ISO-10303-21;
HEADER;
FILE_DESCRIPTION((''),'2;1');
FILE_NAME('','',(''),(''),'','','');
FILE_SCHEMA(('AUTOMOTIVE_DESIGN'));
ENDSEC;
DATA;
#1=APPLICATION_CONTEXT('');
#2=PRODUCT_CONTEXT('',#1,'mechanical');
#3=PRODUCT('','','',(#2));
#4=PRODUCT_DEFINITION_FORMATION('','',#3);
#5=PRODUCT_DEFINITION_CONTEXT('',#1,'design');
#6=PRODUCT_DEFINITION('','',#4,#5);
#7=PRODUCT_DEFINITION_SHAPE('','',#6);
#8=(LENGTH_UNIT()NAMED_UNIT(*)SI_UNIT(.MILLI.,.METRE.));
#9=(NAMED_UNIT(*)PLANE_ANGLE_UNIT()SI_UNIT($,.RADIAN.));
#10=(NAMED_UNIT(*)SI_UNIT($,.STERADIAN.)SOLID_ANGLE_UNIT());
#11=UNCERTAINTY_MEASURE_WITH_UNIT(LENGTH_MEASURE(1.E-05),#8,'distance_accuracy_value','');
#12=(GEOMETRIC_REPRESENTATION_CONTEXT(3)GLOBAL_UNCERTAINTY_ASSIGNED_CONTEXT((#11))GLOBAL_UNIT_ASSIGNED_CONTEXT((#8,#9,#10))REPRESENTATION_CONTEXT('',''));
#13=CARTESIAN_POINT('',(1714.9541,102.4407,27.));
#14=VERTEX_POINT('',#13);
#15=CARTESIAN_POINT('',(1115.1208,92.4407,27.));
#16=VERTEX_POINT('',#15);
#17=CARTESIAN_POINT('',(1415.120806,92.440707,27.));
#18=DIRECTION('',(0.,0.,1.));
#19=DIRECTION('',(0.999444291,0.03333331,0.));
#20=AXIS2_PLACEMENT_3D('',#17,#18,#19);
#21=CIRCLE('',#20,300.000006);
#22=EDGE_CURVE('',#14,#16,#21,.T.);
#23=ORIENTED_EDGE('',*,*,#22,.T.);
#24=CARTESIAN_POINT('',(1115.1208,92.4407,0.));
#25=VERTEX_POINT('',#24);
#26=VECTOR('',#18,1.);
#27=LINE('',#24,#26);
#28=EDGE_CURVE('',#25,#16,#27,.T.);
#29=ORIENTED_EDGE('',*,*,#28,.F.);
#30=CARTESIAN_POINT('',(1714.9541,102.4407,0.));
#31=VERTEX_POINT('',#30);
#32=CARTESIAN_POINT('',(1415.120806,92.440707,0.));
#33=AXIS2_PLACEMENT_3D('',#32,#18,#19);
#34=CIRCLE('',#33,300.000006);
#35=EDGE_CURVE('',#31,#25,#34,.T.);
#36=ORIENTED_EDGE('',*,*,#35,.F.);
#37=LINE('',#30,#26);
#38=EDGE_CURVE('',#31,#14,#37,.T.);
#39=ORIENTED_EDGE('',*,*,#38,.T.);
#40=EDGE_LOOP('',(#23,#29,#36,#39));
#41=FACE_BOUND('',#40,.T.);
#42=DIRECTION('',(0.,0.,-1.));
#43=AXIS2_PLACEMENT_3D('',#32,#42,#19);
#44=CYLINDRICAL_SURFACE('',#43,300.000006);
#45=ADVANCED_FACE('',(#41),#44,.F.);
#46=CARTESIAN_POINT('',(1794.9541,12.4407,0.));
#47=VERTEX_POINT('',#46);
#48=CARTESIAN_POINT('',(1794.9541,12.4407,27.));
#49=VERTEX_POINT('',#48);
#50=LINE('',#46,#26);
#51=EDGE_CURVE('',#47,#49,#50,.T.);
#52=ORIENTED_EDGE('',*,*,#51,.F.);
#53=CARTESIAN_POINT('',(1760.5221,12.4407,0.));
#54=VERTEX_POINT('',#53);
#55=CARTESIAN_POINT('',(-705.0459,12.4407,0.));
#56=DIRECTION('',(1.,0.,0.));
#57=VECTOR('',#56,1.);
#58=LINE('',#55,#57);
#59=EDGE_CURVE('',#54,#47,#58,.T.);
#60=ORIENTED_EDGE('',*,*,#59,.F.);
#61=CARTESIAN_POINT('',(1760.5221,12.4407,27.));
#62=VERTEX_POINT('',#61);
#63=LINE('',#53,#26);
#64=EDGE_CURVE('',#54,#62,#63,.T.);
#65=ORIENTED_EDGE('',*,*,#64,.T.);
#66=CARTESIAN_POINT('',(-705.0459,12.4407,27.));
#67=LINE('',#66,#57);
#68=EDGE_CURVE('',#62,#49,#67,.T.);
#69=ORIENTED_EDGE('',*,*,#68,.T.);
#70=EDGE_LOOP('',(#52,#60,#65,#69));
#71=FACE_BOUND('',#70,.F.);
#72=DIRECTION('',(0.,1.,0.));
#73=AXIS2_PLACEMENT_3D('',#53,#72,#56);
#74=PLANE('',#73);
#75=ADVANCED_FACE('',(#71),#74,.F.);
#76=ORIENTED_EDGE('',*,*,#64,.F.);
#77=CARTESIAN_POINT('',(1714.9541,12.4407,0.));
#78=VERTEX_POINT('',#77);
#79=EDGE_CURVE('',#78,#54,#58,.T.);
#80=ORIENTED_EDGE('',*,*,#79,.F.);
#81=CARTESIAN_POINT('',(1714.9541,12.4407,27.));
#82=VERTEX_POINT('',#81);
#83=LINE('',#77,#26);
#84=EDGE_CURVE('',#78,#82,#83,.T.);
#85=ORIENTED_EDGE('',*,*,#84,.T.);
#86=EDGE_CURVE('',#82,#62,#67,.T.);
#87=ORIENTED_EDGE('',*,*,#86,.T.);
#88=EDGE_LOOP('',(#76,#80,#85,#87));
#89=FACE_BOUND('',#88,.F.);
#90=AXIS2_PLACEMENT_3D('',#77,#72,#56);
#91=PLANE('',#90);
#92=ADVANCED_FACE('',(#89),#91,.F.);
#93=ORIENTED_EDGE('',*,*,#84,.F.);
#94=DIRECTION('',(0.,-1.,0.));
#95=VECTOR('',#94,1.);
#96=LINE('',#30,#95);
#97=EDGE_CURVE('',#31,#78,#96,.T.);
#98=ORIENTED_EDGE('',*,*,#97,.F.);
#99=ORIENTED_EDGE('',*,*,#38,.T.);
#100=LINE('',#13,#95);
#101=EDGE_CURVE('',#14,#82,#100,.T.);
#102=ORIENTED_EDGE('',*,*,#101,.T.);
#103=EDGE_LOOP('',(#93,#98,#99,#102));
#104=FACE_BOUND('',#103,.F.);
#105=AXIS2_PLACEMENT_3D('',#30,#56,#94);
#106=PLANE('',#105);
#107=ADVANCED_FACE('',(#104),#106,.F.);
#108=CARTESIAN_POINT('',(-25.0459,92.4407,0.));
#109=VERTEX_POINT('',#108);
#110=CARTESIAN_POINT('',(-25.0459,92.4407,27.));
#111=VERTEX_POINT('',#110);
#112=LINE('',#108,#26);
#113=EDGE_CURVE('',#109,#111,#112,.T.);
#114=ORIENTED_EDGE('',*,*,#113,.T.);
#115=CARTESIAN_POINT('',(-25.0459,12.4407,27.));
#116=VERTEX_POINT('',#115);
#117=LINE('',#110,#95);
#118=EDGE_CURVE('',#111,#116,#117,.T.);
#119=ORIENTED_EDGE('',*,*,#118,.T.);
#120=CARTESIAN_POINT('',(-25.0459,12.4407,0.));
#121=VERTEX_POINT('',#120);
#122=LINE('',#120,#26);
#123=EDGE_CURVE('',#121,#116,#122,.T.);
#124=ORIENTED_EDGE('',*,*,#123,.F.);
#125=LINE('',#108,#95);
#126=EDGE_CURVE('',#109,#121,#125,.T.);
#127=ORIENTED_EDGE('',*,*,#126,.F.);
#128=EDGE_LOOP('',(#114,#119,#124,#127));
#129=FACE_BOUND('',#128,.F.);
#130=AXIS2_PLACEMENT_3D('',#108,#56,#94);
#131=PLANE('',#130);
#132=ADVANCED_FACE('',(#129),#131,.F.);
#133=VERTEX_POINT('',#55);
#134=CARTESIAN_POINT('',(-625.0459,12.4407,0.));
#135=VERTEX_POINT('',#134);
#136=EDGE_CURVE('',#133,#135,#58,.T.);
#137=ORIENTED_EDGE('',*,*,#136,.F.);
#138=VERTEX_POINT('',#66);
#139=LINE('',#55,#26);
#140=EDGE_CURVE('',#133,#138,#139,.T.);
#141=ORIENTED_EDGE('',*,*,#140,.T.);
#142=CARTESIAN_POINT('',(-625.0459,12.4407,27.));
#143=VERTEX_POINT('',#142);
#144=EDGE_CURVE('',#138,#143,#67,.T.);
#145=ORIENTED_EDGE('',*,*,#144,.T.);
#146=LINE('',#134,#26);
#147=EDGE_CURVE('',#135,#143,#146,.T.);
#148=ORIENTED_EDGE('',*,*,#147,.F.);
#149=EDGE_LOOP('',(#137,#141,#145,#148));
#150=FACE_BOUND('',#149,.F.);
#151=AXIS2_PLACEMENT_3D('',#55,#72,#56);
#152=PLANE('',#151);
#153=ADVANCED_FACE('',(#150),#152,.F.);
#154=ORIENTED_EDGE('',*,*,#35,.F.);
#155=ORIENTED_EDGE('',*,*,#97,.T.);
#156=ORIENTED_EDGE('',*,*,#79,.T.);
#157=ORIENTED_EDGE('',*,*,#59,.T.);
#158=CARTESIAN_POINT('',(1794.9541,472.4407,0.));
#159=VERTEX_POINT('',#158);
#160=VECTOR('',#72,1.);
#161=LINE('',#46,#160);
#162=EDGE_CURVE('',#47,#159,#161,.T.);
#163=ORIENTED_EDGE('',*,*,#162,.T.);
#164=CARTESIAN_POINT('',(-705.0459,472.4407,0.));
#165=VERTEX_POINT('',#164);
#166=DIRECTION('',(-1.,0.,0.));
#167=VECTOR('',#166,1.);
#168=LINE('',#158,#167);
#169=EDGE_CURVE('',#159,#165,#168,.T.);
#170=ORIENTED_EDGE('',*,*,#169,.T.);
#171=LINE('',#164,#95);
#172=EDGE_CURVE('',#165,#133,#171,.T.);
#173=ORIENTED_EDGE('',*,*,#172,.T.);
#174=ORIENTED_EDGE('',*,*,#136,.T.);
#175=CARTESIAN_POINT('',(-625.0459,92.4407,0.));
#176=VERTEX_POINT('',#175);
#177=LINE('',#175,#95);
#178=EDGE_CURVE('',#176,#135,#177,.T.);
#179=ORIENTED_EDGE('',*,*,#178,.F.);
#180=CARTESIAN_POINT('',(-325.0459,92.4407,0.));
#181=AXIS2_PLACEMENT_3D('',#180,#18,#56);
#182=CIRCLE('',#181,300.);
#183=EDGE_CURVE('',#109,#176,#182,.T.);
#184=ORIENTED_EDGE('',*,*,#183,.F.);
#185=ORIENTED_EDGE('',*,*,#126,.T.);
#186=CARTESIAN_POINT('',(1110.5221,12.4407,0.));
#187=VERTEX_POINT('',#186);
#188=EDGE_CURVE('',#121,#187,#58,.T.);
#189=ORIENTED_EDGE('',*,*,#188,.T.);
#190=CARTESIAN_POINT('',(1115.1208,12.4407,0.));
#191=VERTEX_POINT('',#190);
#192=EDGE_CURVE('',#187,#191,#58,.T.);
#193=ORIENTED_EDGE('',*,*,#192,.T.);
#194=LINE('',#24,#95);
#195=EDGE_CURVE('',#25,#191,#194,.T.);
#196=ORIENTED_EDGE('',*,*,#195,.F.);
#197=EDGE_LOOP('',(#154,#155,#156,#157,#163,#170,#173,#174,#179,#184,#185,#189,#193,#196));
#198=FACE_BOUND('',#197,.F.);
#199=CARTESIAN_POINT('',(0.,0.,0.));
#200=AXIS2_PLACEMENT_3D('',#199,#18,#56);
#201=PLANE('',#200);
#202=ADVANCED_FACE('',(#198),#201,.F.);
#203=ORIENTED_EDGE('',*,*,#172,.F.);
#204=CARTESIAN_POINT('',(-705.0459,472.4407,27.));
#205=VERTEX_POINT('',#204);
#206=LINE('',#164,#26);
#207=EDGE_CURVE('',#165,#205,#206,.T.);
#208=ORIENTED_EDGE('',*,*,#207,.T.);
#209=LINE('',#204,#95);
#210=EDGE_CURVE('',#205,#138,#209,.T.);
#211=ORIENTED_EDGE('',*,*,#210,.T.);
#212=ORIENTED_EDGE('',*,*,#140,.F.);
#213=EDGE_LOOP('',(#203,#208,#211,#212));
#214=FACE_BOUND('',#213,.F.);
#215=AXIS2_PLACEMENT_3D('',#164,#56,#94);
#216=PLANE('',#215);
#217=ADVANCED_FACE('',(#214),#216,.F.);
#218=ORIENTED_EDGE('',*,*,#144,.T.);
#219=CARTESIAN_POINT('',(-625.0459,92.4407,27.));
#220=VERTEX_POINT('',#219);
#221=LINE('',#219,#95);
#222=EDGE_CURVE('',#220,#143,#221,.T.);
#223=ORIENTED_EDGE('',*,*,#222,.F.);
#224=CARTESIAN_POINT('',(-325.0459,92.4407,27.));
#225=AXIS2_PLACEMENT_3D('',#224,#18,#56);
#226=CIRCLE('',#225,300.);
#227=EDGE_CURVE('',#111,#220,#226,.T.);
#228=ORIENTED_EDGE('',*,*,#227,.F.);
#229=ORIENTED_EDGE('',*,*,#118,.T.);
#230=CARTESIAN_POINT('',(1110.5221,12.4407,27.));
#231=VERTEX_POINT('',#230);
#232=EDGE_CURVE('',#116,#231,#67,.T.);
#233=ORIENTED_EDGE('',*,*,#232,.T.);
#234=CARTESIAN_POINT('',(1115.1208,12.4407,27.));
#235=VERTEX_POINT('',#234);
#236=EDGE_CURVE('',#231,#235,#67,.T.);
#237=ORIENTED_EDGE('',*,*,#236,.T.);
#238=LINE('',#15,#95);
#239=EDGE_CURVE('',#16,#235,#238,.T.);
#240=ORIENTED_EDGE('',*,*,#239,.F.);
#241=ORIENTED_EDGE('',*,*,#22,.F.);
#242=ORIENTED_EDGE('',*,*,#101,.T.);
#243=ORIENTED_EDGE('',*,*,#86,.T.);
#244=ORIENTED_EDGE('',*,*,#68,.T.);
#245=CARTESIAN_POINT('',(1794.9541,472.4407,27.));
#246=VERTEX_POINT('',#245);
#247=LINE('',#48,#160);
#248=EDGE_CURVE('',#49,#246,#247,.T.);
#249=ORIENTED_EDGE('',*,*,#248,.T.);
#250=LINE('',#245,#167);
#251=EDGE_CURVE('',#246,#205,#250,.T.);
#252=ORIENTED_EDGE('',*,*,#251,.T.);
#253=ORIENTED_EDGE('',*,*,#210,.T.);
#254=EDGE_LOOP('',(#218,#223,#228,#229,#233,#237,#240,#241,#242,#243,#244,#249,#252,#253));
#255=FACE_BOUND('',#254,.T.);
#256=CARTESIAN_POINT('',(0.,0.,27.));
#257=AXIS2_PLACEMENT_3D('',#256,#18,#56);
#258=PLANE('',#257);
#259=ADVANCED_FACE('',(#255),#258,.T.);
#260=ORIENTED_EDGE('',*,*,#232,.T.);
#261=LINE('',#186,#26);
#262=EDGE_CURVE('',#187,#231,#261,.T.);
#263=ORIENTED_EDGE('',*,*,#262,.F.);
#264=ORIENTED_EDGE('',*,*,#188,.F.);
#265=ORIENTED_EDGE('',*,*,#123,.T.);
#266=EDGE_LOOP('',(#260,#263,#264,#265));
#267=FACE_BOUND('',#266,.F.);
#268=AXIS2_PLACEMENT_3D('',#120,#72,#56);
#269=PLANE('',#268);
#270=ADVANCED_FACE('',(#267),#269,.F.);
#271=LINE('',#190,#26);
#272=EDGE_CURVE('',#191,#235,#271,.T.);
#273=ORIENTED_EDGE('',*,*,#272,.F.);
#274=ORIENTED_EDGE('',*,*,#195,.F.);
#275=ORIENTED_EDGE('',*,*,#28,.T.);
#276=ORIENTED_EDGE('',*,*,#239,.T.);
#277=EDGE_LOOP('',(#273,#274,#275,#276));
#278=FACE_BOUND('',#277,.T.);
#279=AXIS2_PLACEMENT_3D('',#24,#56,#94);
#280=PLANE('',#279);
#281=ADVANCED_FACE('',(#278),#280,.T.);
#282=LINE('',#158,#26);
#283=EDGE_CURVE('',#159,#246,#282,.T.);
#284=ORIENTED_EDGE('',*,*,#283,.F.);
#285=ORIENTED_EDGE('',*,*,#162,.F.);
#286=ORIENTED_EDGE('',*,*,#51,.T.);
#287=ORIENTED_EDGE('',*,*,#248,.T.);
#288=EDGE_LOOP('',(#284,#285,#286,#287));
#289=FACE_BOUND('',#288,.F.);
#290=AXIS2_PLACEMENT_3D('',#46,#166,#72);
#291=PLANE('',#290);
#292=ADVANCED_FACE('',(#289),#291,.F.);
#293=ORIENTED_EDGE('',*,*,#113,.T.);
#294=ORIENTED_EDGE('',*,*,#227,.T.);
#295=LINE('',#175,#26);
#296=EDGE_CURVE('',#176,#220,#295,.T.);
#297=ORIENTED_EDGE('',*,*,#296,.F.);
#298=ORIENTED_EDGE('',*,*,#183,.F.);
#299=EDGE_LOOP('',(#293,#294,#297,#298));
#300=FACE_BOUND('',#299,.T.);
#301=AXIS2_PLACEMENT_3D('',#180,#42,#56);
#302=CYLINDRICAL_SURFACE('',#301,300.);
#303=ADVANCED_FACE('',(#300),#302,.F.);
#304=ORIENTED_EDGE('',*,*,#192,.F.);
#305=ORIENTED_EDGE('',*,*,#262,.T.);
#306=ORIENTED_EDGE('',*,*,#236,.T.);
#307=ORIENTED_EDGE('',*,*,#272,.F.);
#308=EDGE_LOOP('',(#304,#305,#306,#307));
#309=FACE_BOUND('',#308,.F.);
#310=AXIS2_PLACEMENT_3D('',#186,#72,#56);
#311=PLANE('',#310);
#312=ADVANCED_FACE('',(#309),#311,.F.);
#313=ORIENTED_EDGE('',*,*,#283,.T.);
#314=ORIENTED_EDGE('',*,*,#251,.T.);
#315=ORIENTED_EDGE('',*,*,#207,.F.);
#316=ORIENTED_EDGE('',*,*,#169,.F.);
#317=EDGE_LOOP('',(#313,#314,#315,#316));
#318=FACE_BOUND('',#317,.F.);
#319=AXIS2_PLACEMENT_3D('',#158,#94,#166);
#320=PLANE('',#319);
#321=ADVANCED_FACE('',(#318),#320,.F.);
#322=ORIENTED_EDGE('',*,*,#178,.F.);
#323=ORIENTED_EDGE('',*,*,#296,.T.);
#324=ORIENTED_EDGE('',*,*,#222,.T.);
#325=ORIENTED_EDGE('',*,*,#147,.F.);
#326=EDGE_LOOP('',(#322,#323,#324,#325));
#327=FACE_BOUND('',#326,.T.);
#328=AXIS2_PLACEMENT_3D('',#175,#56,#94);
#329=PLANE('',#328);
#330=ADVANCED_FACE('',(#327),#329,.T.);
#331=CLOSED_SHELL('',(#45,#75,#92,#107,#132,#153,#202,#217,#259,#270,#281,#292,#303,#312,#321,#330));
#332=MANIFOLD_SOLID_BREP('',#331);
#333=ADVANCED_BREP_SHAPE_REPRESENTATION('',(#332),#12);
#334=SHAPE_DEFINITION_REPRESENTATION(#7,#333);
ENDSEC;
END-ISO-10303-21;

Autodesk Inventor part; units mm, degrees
ref_plane "YZ Plane" through (0, 0, 0) normal (1, 0, 0) x (0, 1, 0)
ref_plane "XZ Plane" through (0, 0, 0) normal (0, 1, 0) x (-1, 0, 0)
ref_plane "XY Plane" through (0, 0, 0) normal (0, 0, 1) x (1, 0, 0)
sketch "Sketch1" plane through (0, 0, 0) normal (0, 0, 1) x (1, 0, 0)
  line L0 (-705.0459, 12.4407) -> (1794.9541, 12.4407)
  line L1 (1794.9541, 12.4407) -> (1794.9541, 472.4407)
  line L2 (1794.9541, 472.4407) -> (-705.0459, 472.4407)
  line L3 (-705.0459, 472.4407) -> (-705.0459, 12.4407)
  arc A0 (-25.0459, 92.4407) -> (-625.0459, 92.4407) centre (-325.0459, 92.4407) ccw
  line L4 (-625.0459, 92.4407) -> (-625.0459, 12.4407)
  line L5 (-25.0459, 92.4407) -> (-25.0459, 12.4407)
  line L6 (1760.5221, 12.4407) -> (1110.5221, 12.4407)
  arc A1 (1714.9541, 102.4407) -> (1115.1208, 92.4407) centre (1415.1208, 92.4407) ccw
  line L7 (1115.1208, 92.4407) -> (1115.1208, 12.4407)
  line L8 (1714.9541, 102.4407) -> (1714.9541, 12.4407)
  point P0 (0, 0)
  point P1 (1714.9541, 57.4407)
  point P2 (-625.0459, 52.4407)
  dimension "d0" = 460
  dimension "d1" = 2500
  dimension "d2" = 300
  dimension "d3" = 80
  dimension "d9" = 300
  dimension "d10" = 80
  dimension "d11" = 80
  dimension "d12" = 80
  dimension "d13" = 80
sketch "Sketch3" plane through (0, 0, 0) normal (0, 0, 1) x (1, 0, 0)
  point P0 (0, 0)
extrude "Extrusion1" add sketch "Sketch1" along normal blind 27 contours L3 L2 L1 L0 L8 A1 L7 L5 A0 L4
properties part number "skateboardplank" material "Wood (Birch)"
